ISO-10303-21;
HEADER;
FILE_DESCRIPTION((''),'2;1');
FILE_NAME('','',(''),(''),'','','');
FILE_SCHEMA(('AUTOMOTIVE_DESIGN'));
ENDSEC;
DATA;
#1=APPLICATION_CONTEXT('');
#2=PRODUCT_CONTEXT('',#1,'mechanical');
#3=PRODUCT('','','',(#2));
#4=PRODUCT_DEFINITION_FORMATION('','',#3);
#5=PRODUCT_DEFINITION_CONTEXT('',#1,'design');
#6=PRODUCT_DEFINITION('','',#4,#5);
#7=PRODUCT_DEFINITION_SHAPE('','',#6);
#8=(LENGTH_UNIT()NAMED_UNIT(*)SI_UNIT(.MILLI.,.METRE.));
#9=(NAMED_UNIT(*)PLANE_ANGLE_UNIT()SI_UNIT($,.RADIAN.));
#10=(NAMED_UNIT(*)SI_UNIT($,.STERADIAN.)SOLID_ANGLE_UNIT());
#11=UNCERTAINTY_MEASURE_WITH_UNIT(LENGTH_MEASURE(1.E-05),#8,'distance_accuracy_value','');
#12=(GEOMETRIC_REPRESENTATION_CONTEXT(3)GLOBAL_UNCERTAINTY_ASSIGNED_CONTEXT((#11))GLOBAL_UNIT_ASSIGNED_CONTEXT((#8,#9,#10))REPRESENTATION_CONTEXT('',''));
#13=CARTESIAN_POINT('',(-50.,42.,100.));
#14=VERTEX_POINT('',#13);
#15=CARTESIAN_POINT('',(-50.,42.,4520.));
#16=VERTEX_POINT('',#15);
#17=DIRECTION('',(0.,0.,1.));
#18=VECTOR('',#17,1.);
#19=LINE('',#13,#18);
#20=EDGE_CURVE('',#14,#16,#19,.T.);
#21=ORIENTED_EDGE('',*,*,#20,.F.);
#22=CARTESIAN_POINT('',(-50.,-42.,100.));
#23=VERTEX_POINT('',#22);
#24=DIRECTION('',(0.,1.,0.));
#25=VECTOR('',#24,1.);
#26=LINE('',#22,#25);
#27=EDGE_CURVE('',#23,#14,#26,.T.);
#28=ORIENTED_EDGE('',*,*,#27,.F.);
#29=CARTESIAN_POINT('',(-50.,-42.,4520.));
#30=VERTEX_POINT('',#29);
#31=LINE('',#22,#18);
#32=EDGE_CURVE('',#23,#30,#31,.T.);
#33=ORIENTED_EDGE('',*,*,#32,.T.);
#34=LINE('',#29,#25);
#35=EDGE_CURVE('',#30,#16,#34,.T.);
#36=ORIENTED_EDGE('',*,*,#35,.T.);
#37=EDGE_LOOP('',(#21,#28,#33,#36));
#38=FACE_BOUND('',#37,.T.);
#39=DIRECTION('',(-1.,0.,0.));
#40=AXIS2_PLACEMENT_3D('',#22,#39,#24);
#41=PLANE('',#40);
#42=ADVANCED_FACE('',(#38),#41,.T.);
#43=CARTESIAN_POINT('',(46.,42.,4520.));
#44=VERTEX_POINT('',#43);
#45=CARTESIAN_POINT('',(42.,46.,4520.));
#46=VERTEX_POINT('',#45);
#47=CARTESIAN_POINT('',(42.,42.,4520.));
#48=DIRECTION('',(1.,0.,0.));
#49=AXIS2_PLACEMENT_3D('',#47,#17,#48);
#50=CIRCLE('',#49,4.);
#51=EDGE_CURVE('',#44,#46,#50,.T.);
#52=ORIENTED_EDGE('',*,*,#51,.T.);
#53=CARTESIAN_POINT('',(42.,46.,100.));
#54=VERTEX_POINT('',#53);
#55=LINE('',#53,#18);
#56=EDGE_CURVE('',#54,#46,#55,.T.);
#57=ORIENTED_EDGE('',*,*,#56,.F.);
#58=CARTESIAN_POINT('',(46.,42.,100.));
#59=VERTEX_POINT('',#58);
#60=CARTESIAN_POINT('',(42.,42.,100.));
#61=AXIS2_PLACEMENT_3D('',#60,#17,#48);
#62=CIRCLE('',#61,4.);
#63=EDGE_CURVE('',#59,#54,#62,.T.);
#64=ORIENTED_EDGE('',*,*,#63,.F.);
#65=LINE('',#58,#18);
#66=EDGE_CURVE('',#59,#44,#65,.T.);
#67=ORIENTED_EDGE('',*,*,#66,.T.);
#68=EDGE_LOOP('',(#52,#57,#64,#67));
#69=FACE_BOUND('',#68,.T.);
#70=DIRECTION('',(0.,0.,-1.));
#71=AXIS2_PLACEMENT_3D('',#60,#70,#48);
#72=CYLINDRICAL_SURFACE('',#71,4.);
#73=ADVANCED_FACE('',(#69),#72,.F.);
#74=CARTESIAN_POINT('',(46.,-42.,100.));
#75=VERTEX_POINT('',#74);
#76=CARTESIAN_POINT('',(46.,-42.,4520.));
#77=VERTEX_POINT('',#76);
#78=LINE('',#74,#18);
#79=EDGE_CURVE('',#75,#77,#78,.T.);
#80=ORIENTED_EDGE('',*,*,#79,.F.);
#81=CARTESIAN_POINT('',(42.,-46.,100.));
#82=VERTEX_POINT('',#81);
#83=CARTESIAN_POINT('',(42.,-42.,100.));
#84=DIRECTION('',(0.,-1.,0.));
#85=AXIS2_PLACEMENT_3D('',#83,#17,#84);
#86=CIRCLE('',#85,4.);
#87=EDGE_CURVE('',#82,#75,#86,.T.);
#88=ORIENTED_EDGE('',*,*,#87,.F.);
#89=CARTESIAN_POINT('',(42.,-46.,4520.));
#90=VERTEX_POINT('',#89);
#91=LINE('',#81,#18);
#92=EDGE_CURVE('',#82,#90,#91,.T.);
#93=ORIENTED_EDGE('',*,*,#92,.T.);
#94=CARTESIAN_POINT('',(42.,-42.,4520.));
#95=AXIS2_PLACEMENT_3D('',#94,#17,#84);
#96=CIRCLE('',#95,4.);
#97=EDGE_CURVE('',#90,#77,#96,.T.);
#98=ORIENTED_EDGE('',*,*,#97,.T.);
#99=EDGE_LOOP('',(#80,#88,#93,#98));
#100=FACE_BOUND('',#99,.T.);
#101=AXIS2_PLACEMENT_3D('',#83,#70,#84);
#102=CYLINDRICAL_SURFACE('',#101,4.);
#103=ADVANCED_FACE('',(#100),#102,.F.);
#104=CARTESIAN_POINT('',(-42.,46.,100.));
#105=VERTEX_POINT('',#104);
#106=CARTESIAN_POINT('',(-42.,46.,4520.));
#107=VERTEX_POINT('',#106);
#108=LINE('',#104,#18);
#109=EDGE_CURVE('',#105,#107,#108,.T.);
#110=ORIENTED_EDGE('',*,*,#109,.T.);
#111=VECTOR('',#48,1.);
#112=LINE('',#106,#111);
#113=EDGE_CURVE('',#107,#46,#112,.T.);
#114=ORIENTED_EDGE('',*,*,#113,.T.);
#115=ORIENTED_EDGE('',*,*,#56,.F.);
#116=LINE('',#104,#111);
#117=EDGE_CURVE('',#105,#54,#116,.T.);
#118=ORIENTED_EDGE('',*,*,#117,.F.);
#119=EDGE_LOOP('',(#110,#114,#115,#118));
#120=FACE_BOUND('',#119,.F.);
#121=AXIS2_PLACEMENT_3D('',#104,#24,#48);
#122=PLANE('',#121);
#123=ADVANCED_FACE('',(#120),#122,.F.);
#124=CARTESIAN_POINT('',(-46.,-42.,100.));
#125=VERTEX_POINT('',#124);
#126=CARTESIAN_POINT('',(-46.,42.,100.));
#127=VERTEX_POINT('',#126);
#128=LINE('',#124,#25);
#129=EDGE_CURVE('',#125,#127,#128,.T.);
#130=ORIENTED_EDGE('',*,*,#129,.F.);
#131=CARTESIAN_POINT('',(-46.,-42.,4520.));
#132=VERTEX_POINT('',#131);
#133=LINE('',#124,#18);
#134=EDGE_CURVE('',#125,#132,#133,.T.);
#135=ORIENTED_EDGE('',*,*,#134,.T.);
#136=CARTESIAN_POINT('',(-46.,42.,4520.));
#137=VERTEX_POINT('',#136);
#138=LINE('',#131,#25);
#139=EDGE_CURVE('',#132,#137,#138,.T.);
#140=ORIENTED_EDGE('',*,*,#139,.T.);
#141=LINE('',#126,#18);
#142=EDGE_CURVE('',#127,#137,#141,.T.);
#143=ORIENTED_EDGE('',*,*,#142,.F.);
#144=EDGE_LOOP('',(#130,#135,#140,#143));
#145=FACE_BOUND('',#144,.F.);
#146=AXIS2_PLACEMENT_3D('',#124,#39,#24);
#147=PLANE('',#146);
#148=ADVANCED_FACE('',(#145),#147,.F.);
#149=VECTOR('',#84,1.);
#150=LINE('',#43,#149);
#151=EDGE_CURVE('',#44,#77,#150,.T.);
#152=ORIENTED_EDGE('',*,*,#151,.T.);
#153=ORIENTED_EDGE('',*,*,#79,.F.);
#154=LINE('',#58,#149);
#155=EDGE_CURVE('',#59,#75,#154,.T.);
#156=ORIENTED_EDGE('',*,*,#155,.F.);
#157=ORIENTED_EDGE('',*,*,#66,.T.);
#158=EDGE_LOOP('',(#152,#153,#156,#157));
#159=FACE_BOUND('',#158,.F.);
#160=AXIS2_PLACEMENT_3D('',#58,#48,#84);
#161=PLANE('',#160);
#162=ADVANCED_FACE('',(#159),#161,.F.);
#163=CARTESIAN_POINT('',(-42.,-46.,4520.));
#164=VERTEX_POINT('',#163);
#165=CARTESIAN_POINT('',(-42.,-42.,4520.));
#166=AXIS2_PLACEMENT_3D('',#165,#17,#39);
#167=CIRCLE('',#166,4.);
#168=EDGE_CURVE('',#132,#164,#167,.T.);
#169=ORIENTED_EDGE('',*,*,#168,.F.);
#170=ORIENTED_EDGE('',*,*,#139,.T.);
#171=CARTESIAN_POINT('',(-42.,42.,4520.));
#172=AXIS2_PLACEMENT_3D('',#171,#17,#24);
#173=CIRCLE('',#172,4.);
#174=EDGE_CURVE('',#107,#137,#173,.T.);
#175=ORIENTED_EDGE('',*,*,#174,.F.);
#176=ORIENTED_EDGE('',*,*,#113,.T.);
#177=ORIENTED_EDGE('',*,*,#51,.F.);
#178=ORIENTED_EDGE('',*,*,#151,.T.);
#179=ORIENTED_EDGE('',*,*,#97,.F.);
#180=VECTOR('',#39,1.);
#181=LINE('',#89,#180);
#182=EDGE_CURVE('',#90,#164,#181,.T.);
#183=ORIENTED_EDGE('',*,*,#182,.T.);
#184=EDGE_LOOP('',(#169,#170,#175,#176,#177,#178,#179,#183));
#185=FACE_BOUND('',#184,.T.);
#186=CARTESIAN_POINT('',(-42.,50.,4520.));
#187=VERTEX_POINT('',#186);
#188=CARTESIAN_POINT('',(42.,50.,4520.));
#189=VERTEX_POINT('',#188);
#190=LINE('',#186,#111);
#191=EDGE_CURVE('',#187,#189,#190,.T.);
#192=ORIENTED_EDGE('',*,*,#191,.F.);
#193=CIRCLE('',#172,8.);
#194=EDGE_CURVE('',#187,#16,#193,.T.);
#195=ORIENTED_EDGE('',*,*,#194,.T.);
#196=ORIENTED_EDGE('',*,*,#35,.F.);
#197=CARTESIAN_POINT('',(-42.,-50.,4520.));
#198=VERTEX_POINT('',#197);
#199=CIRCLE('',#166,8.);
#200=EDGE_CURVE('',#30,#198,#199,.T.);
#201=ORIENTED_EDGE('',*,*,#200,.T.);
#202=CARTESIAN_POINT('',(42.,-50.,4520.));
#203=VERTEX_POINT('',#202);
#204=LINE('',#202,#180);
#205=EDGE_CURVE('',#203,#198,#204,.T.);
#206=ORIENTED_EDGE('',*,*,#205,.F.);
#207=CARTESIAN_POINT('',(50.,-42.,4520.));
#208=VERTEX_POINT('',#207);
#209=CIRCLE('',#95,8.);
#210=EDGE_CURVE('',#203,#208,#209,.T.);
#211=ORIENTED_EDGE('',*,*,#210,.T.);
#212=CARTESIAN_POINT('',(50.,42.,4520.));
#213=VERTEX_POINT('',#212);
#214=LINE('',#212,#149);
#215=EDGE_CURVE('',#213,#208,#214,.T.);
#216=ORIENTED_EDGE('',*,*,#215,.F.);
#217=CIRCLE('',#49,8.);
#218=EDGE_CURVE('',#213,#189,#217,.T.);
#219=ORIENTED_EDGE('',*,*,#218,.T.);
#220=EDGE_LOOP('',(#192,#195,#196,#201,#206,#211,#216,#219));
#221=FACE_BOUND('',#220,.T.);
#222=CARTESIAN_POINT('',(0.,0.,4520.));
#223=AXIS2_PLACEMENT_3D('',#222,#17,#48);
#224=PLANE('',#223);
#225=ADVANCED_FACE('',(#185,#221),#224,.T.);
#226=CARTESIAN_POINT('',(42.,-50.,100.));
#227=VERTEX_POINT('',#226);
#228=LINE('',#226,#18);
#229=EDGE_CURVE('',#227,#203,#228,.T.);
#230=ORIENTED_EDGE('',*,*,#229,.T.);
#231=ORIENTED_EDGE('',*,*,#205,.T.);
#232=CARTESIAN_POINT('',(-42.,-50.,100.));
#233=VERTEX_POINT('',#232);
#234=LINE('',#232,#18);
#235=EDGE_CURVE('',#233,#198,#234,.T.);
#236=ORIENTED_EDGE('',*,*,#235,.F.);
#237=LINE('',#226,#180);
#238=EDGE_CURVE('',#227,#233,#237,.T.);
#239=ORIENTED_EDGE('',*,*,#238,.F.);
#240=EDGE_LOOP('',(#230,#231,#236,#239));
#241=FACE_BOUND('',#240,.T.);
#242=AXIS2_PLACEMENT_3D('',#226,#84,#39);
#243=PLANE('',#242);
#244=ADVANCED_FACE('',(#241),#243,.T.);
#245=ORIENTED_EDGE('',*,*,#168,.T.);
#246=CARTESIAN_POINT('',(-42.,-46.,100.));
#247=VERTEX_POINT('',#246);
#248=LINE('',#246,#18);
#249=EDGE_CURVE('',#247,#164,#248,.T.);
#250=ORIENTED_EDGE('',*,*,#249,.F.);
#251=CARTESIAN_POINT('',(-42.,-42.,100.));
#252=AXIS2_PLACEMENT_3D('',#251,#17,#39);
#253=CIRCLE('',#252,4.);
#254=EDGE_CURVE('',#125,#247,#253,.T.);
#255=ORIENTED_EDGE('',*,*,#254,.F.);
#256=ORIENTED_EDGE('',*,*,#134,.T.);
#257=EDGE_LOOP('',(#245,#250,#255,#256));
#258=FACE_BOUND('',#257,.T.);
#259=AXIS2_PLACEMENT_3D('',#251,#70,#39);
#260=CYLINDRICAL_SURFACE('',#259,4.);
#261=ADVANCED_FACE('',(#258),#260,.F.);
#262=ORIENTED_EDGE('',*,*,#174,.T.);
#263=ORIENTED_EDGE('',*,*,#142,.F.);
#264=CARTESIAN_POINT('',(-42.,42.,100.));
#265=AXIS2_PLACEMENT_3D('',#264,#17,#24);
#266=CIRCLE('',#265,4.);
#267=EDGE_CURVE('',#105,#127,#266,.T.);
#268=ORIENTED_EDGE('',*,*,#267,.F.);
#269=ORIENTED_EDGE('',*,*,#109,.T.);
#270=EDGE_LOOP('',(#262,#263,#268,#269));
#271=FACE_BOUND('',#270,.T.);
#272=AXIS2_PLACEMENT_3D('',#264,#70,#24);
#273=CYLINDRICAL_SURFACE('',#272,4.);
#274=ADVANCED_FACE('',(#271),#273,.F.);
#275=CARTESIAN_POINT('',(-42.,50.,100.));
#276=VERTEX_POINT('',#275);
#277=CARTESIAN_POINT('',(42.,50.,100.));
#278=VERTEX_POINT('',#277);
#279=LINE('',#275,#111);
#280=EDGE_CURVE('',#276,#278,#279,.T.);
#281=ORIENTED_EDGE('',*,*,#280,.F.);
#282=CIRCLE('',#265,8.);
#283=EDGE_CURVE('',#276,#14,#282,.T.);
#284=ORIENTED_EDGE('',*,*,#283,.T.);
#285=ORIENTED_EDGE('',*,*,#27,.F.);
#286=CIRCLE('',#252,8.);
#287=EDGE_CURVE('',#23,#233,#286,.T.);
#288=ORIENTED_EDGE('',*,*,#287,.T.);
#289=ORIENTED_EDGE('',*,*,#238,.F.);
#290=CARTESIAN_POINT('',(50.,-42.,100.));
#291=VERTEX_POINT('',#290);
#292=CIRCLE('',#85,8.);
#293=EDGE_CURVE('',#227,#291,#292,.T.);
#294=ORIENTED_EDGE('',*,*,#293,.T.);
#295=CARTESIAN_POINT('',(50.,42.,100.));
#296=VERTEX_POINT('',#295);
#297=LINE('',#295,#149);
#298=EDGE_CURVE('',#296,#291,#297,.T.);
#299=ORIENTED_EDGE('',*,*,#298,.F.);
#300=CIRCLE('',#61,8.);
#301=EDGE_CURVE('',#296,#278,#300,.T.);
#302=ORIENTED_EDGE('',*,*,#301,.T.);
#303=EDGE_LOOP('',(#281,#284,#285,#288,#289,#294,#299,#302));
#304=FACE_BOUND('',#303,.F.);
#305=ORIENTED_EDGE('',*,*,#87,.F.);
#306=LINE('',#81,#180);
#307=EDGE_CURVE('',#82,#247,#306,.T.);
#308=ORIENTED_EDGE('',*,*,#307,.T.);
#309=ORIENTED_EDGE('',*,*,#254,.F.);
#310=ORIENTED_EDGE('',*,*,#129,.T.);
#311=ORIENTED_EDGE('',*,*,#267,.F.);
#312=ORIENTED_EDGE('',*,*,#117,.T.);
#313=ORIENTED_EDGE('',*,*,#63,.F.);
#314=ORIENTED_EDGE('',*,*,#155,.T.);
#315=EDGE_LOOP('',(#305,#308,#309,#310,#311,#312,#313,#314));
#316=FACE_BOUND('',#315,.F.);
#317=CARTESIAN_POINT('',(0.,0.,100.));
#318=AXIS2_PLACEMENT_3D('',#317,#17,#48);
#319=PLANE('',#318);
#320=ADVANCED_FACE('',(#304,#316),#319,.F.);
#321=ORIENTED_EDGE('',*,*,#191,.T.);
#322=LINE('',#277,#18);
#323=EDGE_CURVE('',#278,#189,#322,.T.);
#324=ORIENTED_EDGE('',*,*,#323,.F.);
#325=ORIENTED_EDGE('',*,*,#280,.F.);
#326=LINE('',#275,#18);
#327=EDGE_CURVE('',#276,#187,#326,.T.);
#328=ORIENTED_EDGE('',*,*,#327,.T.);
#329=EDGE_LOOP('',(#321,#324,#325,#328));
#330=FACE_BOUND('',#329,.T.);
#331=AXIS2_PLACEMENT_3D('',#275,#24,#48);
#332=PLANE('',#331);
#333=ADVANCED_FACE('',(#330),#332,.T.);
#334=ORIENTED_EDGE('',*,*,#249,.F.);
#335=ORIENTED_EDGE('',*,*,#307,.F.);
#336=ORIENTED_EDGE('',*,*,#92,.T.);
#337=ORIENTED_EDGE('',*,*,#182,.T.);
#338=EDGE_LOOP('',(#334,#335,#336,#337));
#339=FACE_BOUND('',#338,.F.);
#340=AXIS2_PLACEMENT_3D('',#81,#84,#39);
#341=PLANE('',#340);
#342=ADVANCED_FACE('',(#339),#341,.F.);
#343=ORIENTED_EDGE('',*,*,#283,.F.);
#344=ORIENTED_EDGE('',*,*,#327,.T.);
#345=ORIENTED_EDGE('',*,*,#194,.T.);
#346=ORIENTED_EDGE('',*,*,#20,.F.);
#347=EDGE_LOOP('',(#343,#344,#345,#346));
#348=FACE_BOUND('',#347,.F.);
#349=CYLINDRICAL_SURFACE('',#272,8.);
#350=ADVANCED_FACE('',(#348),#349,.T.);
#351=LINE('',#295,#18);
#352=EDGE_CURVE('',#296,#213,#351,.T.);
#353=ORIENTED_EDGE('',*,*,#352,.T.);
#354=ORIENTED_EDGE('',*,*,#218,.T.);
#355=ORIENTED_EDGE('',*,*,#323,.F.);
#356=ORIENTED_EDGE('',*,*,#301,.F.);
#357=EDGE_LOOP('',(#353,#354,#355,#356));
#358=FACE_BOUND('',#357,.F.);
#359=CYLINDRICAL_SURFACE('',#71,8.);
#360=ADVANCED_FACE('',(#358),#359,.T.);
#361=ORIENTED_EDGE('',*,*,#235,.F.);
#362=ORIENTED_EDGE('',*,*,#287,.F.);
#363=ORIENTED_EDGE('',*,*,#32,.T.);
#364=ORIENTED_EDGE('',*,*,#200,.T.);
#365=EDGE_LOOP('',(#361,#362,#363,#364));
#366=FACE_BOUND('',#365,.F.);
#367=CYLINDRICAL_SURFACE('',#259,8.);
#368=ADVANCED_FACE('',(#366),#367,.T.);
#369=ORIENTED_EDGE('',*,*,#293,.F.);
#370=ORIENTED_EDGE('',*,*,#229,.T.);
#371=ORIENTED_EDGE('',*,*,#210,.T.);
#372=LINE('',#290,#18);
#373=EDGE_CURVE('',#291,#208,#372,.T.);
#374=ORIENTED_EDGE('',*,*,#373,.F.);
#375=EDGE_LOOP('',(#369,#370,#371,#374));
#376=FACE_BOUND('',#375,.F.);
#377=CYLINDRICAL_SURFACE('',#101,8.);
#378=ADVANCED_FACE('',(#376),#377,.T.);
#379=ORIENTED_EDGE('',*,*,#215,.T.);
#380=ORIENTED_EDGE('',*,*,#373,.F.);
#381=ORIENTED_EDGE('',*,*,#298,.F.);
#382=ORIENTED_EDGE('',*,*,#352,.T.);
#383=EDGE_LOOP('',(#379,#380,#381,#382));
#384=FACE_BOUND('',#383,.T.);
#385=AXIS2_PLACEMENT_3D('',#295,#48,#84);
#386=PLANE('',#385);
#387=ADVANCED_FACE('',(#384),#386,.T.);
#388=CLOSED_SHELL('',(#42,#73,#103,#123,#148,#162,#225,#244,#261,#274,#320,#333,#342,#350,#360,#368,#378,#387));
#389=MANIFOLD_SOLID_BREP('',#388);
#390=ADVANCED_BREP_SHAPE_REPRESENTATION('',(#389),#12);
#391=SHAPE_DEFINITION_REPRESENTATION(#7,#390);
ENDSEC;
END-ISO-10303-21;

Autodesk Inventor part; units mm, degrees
ref_plane "YZ Plane" through (0, 0, 0) normal (1, 0, 0) x (0, 1, 0)
ref_plane "Start Plane" through (0, 0, 100) normal (0, 0, 1) x (1, 0, 0)
ref_plane "End Plane" through (0, 0, 4520) normal (0, 0, 1) x (1, 0, 0)
sketch "Sketch" plane through (0, 0, 0) normal (0, 0, 1) x (1, 0, 0)
  line L0 (-50, -42) -> (-50, 42)
  line L1 (-42, 50) -> (42, 50)
  line L2 (50, 42) -> (50, -42)
  line L3 (42, -50) -> (-42, -50)
  arc A0 (-50, -42) -> (-42, -50) centre (-42, -42) ccw
  arc A1 (50, 42) -> (42, 50) centre (42, 42) ccw
  arc A2 (-42, 50) -> (-50, 42) centre (-42, 42) ccw
  arc A3 (42, -50) -> (50, -42) centre (42, -42) ccw
  arc A4 (-42, 46) -> (-46, 42) centre (-42, 42) ccw
  line L4 (-42, 46) -> (42, 46)
  arc A5 (46, 42) -> (42, 46) centre (42, 42) ccw
  line L5 (46, 42) -> (46, -42)
  arc A6 (42, -46) -> (46, -42) centre (42, -42) ccw
  line L6 (42, -46) -> (-42, -46)
  arc A7 (-46, -42) -> (-42, -46) centre (-42, -42) ccw
  line L7 (-46, -42) -> (-46, 42)
  line L8 (0, 72.3196) -> (0, -72.3196) construction
  line L9 (-72.3196, 0) -> (72.3196, 0) construction
  dimension "d7" = 8
  dimension "d9" = 100
  dimension "d11" = 100
  dimension "d12" = 4
  dimension "d15" = 50
  dimension "d16" = 50
extrude "Body" add sketch "Sketch" along normal up to surface (4420 mm away) from surface at 100
sketch "Sketch3" plane through (0, 0, 0) normal (0, 0, 1) x (1, 0, 0)
  line L0 (0, 0) -> (10, 0)
ref_plane "Work Plane3" through (0, 0, 0) normal (0, -1, 0) x (1, 0, 0)
sketch "Sketch4" plane through (0, 0, 0) normal (0, -1, 0) x (1, 0, 0)
  line L0 (-2, 100) -> (12, 100) projected
  line L1 (-2, 4520) -> (12, 4520) projected
  dimension "d18" = 4420
equation "\"d7\" = G_IR"
equation "\"d9\" = G_W"
equation "\"d11\" = G_H"
equation "\"d12\" = G_T"
equation "\"d15\" = 0.5 * d9"
equation "\"d16\" = 0.5 * d11"
equation "\"d3\" = G_L"
equation "\"G_W\" = 100"
equation "\"G_H\" = 100"
equation "\"G_T\" = 4"
equation "\"G_IR\" = 8"
equation "\"G_L\" = d18"
equation "\"G_OFFSET_END\" = 0"
properties part number "ISO 4019 - 100x100x4 - 4420" material "Steel, Mild"
